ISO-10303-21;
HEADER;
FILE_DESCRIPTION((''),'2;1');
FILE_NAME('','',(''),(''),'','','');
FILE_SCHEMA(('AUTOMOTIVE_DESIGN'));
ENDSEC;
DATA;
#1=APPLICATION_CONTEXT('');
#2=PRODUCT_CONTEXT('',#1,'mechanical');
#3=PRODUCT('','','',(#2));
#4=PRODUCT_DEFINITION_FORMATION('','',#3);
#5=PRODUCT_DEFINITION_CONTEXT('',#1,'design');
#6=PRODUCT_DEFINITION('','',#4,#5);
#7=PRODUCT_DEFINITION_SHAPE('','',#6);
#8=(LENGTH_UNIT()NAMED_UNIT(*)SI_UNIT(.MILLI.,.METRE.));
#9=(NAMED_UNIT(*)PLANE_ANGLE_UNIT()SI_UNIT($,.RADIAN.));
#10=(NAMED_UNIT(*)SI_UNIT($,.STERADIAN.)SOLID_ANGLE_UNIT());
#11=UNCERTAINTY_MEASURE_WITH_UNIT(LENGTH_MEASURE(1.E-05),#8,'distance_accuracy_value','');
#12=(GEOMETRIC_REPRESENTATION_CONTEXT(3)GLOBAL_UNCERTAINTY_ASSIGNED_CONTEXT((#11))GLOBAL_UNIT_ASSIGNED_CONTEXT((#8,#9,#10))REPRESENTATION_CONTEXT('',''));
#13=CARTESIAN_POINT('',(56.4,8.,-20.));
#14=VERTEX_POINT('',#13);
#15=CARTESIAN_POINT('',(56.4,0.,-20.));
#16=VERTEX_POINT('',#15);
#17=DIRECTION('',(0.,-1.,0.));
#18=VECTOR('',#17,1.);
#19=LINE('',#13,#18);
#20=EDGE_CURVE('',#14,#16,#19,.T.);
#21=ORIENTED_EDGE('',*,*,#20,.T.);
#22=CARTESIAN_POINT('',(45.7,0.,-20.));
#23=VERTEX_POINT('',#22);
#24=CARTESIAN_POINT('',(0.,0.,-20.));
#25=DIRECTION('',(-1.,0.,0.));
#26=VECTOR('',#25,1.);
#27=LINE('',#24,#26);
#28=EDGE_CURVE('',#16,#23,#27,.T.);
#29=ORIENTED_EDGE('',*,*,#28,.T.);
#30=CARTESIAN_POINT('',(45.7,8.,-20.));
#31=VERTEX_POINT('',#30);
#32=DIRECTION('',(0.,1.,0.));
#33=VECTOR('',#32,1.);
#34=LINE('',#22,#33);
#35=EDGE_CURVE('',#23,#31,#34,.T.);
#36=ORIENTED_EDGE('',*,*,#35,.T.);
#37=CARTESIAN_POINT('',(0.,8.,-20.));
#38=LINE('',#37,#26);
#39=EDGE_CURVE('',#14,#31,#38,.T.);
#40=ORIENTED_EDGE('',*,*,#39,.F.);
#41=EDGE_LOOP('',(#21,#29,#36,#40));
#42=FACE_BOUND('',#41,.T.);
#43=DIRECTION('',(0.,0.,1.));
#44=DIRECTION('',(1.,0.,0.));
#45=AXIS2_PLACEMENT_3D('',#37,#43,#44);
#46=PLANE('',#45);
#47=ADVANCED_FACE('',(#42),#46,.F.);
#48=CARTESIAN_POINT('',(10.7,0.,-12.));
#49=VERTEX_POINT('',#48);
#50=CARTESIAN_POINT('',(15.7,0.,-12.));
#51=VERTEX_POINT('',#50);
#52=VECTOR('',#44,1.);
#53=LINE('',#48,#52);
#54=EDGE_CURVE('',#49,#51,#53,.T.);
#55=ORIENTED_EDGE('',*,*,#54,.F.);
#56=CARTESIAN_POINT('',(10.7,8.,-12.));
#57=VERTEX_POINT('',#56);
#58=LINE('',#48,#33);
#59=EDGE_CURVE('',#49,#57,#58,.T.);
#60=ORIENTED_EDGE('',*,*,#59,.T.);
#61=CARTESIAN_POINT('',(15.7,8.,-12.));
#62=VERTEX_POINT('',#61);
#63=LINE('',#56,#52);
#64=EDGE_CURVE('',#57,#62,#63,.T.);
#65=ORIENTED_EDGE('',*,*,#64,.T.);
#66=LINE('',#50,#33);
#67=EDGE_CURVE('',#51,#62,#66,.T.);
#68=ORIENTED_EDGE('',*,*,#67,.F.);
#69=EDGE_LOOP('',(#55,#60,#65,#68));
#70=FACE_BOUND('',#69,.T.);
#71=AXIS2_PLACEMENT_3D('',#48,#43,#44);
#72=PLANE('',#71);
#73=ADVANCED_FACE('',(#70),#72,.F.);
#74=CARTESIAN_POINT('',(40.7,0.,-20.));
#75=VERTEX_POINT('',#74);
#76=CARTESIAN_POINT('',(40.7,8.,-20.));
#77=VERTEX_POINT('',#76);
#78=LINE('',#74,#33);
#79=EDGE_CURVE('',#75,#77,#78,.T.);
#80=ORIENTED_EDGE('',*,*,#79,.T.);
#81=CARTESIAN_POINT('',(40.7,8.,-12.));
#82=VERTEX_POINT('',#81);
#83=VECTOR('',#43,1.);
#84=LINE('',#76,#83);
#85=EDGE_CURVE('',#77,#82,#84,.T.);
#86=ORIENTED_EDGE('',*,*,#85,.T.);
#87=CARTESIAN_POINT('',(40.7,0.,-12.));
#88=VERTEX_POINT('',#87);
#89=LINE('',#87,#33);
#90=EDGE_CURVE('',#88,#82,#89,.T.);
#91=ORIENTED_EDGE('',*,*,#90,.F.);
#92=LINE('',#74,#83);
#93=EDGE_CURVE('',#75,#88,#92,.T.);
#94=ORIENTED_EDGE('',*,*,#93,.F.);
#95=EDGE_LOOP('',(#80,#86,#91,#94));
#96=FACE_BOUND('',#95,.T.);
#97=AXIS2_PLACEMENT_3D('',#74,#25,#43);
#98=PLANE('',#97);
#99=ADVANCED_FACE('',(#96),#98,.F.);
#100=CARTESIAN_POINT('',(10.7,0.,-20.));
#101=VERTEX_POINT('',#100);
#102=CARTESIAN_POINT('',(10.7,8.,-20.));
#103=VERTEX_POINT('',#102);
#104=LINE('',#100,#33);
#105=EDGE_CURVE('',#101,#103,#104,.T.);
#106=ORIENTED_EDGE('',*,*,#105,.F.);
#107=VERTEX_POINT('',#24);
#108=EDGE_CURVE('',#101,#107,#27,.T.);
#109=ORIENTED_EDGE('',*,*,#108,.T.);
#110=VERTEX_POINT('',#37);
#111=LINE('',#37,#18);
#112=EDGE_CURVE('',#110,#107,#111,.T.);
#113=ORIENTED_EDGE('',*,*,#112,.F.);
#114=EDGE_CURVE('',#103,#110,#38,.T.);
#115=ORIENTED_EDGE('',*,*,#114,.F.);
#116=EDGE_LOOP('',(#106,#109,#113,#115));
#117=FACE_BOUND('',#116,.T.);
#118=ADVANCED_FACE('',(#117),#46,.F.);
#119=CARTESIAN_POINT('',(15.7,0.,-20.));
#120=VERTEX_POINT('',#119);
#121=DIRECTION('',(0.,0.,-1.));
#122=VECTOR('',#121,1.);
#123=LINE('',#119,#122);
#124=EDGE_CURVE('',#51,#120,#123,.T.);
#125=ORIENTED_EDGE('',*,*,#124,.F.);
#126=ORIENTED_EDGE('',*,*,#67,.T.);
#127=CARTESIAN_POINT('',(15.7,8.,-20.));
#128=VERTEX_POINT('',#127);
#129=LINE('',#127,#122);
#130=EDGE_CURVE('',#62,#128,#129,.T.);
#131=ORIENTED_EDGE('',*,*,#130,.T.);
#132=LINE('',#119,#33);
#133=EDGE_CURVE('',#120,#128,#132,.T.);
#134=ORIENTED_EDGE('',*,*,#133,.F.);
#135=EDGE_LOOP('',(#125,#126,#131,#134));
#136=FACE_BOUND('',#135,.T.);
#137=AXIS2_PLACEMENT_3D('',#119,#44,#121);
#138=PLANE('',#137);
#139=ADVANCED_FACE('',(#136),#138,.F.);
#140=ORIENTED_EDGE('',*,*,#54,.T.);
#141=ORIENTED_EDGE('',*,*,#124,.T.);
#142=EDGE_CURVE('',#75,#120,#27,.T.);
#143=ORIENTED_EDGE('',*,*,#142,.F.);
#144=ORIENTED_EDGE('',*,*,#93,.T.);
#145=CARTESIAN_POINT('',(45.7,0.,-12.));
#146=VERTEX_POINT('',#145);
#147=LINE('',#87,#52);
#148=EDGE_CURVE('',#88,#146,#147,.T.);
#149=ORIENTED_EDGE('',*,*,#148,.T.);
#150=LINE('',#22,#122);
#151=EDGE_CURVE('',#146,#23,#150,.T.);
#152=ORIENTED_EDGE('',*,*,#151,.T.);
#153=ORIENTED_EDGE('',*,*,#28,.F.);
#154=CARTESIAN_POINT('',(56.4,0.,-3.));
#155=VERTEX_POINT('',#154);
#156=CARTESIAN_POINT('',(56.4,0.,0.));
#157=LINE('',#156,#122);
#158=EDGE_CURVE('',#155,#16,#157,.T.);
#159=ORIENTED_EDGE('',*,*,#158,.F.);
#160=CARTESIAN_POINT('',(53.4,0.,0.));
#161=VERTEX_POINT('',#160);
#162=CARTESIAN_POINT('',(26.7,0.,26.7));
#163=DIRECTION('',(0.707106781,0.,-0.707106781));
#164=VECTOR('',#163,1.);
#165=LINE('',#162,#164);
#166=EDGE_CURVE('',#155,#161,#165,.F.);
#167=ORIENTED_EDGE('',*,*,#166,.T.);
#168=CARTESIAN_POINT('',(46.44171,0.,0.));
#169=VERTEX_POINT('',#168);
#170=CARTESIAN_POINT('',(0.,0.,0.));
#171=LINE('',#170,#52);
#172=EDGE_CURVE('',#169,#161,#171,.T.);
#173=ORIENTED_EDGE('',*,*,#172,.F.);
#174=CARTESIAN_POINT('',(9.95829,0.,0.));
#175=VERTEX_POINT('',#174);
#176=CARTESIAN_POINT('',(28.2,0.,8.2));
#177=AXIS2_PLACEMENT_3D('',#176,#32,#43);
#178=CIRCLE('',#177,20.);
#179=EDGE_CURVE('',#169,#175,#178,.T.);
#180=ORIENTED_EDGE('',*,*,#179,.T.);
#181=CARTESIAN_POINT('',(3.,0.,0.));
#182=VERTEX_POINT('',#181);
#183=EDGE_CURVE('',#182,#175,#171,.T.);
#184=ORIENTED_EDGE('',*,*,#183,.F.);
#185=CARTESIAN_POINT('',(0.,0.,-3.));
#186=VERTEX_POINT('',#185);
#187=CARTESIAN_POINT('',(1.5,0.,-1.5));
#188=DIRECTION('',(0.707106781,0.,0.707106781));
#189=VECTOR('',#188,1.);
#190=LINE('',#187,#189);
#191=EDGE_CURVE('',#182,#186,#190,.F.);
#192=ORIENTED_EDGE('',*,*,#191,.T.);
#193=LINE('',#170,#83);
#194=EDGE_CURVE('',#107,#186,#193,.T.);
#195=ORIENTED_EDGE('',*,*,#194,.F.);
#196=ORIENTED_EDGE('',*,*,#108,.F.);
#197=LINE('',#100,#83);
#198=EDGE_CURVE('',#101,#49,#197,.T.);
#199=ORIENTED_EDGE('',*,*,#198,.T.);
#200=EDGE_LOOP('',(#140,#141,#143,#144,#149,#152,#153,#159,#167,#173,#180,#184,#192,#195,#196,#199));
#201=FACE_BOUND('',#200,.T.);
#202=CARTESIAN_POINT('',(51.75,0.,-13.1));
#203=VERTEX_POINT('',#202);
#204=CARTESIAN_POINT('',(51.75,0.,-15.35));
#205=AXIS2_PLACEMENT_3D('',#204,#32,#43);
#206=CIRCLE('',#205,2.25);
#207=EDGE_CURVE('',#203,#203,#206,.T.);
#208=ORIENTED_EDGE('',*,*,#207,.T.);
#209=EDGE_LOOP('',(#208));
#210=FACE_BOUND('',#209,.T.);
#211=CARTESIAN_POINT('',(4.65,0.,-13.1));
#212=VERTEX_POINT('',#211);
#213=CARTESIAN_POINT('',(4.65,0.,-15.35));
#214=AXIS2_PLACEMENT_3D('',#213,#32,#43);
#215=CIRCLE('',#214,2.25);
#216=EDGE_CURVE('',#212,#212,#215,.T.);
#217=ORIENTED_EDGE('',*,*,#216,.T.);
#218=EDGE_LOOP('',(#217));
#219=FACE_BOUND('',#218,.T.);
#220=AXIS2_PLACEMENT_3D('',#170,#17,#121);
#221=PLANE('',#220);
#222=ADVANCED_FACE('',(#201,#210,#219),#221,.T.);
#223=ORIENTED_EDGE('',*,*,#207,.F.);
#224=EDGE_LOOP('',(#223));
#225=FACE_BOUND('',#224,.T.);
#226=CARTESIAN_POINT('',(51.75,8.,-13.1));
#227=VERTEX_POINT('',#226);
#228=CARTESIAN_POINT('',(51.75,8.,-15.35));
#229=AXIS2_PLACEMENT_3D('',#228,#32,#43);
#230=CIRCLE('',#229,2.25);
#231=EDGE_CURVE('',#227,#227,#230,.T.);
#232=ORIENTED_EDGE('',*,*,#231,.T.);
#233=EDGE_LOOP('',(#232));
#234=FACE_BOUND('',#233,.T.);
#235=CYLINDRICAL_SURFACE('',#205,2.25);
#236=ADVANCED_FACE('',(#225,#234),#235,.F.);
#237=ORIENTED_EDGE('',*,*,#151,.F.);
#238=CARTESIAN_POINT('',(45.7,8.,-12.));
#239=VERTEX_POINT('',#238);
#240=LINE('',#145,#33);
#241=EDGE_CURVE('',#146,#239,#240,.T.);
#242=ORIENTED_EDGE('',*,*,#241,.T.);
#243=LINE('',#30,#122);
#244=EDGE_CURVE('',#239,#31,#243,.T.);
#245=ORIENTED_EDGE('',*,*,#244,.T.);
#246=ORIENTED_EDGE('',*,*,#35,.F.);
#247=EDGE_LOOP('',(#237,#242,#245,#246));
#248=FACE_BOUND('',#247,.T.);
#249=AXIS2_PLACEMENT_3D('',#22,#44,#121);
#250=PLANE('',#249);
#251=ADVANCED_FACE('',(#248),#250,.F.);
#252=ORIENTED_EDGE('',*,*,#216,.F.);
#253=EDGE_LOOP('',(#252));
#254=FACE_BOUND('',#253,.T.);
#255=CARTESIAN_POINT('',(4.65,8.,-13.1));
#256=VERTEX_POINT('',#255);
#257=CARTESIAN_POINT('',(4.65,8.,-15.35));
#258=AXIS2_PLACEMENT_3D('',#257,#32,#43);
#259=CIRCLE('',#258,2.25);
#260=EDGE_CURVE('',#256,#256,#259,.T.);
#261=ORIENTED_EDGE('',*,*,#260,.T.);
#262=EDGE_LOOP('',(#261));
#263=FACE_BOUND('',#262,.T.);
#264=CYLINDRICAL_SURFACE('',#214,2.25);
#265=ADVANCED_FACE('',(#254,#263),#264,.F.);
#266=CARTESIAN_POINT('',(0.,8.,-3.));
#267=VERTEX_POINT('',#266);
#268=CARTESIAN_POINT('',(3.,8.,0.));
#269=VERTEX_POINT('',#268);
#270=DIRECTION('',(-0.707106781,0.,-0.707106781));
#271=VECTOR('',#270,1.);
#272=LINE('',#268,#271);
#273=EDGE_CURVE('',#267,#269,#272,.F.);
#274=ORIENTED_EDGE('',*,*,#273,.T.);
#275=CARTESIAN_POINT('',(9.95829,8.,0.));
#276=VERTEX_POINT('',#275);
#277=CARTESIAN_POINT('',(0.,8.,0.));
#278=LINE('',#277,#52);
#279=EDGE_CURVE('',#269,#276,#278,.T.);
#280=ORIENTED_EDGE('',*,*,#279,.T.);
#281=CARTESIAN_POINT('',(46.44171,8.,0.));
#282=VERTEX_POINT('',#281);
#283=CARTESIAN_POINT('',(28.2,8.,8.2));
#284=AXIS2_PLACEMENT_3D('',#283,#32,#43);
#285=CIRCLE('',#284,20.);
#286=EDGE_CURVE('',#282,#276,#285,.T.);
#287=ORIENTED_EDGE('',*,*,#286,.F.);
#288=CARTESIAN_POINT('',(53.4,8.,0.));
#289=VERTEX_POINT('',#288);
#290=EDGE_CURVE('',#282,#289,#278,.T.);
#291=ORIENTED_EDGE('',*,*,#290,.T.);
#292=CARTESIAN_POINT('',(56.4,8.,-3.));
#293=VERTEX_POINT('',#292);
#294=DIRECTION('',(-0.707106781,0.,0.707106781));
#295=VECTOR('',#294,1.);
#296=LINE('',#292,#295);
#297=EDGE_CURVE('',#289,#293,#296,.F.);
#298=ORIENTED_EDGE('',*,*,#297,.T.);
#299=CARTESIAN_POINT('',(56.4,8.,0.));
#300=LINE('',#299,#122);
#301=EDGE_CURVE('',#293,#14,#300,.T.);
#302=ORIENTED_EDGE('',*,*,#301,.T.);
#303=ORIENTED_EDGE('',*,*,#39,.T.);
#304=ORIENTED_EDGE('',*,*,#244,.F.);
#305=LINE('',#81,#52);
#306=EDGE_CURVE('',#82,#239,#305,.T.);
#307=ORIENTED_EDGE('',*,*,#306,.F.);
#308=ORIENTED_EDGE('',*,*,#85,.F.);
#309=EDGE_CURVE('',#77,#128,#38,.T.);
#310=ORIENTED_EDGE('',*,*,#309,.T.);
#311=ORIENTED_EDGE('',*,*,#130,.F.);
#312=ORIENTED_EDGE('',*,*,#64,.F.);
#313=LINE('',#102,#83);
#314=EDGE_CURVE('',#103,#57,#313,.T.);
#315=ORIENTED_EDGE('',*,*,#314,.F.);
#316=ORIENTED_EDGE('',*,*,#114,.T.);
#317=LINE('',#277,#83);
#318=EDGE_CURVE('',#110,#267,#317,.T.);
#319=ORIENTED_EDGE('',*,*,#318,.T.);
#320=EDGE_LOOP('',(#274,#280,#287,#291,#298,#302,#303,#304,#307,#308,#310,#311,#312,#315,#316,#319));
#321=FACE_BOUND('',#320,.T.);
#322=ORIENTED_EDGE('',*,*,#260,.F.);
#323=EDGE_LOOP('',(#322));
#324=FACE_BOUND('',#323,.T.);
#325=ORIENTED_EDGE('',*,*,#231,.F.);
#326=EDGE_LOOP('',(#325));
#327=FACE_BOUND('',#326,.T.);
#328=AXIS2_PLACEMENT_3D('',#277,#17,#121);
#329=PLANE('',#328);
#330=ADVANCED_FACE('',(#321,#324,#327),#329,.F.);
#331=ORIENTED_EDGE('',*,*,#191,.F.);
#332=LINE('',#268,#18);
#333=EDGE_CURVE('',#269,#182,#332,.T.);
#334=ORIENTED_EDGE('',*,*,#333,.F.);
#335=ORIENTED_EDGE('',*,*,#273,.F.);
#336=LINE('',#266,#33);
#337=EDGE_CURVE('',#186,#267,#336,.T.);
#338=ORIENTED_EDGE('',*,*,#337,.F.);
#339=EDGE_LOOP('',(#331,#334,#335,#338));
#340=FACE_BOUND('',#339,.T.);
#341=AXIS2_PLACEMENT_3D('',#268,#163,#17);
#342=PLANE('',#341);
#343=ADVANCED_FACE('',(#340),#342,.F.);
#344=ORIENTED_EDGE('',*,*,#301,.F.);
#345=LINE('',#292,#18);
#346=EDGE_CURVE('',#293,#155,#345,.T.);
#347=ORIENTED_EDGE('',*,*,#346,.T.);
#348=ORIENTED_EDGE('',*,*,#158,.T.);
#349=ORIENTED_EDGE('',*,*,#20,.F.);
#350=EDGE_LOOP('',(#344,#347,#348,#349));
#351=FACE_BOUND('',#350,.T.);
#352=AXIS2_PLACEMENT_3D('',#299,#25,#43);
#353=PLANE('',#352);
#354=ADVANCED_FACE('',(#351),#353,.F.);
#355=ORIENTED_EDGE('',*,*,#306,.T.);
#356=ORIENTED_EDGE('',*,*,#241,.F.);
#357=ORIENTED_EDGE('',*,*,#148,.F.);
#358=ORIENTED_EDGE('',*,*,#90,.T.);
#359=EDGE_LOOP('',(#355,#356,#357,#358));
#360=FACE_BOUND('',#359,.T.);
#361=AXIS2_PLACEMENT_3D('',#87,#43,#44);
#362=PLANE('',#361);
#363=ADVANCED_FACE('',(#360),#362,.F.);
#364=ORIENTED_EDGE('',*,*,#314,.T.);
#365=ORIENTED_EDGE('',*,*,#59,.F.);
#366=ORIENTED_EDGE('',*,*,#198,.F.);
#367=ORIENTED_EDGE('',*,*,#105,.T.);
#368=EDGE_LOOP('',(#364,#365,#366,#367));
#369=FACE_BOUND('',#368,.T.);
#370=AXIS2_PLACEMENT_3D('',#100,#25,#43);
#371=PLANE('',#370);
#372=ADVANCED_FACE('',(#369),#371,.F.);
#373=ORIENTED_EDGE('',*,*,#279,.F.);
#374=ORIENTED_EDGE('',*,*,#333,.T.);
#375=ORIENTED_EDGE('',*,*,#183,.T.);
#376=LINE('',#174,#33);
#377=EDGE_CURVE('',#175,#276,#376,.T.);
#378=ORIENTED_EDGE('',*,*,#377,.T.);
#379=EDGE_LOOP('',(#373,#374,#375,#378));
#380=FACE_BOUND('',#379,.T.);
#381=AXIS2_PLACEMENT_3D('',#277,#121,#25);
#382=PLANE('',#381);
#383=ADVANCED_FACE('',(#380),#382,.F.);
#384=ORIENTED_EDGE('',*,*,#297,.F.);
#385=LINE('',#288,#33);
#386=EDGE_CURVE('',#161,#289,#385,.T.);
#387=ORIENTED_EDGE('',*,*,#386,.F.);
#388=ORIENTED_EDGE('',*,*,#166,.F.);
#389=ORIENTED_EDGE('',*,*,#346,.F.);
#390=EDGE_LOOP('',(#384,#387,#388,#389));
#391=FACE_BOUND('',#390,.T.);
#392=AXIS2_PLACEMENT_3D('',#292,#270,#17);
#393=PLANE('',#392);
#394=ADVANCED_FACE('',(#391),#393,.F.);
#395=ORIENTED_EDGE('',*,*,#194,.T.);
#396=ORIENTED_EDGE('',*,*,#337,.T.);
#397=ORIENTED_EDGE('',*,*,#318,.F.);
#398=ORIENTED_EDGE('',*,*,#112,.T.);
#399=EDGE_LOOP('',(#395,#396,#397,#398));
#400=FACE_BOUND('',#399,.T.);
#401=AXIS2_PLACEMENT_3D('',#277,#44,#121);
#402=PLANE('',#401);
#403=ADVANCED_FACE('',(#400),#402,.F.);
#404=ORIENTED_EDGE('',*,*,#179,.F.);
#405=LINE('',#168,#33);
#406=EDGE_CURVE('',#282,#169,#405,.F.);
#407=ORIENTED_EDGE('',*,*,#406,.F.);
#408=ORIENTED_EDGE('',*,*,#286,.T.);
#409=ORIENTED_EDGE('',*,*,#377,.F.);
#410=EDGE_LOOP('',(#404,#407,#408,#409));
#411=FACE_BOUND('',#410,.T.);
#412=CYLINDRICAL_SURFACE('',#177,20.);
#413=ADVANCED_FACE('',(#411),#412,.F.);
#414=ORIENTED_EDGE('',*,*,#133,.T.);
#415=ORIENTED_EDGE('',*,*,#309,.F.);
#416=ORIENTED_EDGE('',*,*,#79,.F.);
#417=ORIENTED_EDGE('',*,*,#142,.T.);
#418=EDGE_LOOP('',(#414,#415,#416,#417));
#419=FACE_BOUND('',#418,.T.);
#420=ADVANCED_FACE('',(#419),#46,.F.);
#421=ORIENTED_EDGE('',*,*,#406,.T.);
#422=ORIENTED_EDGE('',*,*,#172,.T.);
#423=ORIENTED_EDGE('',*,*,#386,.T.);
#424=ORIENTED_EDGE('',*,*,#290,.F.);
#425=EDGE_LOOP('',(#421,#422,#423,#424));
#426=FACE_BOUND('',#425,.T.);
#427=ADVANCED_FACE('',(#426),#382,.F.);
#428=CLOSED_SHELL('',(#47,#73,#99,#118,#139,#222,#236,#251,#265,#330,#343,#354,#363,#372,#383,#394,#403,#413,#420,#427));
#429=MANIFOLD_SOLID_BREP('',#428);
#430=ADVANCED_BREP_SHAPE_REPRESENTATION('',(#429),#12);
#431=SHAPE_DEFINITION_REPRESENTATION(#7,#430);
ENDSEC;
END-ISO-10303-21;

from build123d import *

# Parameters (mm, degrees)
SKETCH_1_W          = 56.4
SKETCH_1_H          = 20
EXTRUDE_1_DEPTH     = 8
SKETCH_2_R          = 2.25
CUT_EXTRUDE_1_DEPTH = 8
CHAMFER_1_SIZE      = 3
SKETCH_3_R          = 20
CUT_EXTRUDE_2_DEPTH = 8
SKETCH_4_W          = 5
SKETCH_4_H          = 8
CUT_EXTRUDE_3_DEPTH = 8


with BuildPart() as part:
    # 스케치1 → 보스-돌출1 (new body)
    with BuildSketch(Plane(origin=(0, 0, 0), x_dir=(1, 0, 0), z_dir=(0, 1, 0))):
        with Locations((28.2, 10)):
            Rectangle(SKETCH_1_W, SKETCH_1_H)
    extrude(amount=EXTRUDE_1_DEPTH)

    # 스케치2 → 컷-돌출1 (cut)
    with BuildSketch(Plane(origin=(0, 8, 0), x_dir=(1, 0, 0), z_dir=(0, 1, 0))):
        with Locations(Location((51.75, 15.35, 0), (0, 0, 270))):
            Circle(SKETCH_2_R)
        with Locations(Location((4.65, 15.35, 0), (0, 0, 270))):
            Circle(SKETCH_2_R)
    extrude(amount=-CUT_EXTRUDE_1_DEPTH, mode=Mode.SUBTRACT)

    # 모따기1
    chamfer_1_edges = [part.edges().sort_by_distance(p)[0] for p in [
        (56.4, 4, 0),
        (0, 4, 0),
    ]]
    chamfer(chamfer_1_edges, length=CHAMFER_1_SIZE)

    # 스케치3 → 컷-돌출2 (cut)
    with BuildSketch(Plane(origin=(0, 8, 0), x_dir=(1, 0, 0), z_dir=(0, 1, 0))):
        with Locations((28.2, -8.2)):
            Circle(SKETCH_3_R)
    extrude(amount=-CUT_EXTRUDE_2_DEPTH, mode=Mode.SUBTRACT)

    # 스케치4 → 컷-돌출3 (cut)
    with BuildSketch(Plane(origin=(0, 8, 0), x_dir=(1, 0, 0), z_dir=(0, 1, 0))):
        with Locations((13.2, 16)):
            Rectangle(SKETCH_4_W, SKETCH_4_H)
        with Locations((43.2, 16)):
            Rectangle(SKETCH_4_W, SKETCH_4_H)
    extrude(amount=-CUT_EXTRUDE_3_DEPTH, mode=Mode.SUBTRACT)


solid = part.part
